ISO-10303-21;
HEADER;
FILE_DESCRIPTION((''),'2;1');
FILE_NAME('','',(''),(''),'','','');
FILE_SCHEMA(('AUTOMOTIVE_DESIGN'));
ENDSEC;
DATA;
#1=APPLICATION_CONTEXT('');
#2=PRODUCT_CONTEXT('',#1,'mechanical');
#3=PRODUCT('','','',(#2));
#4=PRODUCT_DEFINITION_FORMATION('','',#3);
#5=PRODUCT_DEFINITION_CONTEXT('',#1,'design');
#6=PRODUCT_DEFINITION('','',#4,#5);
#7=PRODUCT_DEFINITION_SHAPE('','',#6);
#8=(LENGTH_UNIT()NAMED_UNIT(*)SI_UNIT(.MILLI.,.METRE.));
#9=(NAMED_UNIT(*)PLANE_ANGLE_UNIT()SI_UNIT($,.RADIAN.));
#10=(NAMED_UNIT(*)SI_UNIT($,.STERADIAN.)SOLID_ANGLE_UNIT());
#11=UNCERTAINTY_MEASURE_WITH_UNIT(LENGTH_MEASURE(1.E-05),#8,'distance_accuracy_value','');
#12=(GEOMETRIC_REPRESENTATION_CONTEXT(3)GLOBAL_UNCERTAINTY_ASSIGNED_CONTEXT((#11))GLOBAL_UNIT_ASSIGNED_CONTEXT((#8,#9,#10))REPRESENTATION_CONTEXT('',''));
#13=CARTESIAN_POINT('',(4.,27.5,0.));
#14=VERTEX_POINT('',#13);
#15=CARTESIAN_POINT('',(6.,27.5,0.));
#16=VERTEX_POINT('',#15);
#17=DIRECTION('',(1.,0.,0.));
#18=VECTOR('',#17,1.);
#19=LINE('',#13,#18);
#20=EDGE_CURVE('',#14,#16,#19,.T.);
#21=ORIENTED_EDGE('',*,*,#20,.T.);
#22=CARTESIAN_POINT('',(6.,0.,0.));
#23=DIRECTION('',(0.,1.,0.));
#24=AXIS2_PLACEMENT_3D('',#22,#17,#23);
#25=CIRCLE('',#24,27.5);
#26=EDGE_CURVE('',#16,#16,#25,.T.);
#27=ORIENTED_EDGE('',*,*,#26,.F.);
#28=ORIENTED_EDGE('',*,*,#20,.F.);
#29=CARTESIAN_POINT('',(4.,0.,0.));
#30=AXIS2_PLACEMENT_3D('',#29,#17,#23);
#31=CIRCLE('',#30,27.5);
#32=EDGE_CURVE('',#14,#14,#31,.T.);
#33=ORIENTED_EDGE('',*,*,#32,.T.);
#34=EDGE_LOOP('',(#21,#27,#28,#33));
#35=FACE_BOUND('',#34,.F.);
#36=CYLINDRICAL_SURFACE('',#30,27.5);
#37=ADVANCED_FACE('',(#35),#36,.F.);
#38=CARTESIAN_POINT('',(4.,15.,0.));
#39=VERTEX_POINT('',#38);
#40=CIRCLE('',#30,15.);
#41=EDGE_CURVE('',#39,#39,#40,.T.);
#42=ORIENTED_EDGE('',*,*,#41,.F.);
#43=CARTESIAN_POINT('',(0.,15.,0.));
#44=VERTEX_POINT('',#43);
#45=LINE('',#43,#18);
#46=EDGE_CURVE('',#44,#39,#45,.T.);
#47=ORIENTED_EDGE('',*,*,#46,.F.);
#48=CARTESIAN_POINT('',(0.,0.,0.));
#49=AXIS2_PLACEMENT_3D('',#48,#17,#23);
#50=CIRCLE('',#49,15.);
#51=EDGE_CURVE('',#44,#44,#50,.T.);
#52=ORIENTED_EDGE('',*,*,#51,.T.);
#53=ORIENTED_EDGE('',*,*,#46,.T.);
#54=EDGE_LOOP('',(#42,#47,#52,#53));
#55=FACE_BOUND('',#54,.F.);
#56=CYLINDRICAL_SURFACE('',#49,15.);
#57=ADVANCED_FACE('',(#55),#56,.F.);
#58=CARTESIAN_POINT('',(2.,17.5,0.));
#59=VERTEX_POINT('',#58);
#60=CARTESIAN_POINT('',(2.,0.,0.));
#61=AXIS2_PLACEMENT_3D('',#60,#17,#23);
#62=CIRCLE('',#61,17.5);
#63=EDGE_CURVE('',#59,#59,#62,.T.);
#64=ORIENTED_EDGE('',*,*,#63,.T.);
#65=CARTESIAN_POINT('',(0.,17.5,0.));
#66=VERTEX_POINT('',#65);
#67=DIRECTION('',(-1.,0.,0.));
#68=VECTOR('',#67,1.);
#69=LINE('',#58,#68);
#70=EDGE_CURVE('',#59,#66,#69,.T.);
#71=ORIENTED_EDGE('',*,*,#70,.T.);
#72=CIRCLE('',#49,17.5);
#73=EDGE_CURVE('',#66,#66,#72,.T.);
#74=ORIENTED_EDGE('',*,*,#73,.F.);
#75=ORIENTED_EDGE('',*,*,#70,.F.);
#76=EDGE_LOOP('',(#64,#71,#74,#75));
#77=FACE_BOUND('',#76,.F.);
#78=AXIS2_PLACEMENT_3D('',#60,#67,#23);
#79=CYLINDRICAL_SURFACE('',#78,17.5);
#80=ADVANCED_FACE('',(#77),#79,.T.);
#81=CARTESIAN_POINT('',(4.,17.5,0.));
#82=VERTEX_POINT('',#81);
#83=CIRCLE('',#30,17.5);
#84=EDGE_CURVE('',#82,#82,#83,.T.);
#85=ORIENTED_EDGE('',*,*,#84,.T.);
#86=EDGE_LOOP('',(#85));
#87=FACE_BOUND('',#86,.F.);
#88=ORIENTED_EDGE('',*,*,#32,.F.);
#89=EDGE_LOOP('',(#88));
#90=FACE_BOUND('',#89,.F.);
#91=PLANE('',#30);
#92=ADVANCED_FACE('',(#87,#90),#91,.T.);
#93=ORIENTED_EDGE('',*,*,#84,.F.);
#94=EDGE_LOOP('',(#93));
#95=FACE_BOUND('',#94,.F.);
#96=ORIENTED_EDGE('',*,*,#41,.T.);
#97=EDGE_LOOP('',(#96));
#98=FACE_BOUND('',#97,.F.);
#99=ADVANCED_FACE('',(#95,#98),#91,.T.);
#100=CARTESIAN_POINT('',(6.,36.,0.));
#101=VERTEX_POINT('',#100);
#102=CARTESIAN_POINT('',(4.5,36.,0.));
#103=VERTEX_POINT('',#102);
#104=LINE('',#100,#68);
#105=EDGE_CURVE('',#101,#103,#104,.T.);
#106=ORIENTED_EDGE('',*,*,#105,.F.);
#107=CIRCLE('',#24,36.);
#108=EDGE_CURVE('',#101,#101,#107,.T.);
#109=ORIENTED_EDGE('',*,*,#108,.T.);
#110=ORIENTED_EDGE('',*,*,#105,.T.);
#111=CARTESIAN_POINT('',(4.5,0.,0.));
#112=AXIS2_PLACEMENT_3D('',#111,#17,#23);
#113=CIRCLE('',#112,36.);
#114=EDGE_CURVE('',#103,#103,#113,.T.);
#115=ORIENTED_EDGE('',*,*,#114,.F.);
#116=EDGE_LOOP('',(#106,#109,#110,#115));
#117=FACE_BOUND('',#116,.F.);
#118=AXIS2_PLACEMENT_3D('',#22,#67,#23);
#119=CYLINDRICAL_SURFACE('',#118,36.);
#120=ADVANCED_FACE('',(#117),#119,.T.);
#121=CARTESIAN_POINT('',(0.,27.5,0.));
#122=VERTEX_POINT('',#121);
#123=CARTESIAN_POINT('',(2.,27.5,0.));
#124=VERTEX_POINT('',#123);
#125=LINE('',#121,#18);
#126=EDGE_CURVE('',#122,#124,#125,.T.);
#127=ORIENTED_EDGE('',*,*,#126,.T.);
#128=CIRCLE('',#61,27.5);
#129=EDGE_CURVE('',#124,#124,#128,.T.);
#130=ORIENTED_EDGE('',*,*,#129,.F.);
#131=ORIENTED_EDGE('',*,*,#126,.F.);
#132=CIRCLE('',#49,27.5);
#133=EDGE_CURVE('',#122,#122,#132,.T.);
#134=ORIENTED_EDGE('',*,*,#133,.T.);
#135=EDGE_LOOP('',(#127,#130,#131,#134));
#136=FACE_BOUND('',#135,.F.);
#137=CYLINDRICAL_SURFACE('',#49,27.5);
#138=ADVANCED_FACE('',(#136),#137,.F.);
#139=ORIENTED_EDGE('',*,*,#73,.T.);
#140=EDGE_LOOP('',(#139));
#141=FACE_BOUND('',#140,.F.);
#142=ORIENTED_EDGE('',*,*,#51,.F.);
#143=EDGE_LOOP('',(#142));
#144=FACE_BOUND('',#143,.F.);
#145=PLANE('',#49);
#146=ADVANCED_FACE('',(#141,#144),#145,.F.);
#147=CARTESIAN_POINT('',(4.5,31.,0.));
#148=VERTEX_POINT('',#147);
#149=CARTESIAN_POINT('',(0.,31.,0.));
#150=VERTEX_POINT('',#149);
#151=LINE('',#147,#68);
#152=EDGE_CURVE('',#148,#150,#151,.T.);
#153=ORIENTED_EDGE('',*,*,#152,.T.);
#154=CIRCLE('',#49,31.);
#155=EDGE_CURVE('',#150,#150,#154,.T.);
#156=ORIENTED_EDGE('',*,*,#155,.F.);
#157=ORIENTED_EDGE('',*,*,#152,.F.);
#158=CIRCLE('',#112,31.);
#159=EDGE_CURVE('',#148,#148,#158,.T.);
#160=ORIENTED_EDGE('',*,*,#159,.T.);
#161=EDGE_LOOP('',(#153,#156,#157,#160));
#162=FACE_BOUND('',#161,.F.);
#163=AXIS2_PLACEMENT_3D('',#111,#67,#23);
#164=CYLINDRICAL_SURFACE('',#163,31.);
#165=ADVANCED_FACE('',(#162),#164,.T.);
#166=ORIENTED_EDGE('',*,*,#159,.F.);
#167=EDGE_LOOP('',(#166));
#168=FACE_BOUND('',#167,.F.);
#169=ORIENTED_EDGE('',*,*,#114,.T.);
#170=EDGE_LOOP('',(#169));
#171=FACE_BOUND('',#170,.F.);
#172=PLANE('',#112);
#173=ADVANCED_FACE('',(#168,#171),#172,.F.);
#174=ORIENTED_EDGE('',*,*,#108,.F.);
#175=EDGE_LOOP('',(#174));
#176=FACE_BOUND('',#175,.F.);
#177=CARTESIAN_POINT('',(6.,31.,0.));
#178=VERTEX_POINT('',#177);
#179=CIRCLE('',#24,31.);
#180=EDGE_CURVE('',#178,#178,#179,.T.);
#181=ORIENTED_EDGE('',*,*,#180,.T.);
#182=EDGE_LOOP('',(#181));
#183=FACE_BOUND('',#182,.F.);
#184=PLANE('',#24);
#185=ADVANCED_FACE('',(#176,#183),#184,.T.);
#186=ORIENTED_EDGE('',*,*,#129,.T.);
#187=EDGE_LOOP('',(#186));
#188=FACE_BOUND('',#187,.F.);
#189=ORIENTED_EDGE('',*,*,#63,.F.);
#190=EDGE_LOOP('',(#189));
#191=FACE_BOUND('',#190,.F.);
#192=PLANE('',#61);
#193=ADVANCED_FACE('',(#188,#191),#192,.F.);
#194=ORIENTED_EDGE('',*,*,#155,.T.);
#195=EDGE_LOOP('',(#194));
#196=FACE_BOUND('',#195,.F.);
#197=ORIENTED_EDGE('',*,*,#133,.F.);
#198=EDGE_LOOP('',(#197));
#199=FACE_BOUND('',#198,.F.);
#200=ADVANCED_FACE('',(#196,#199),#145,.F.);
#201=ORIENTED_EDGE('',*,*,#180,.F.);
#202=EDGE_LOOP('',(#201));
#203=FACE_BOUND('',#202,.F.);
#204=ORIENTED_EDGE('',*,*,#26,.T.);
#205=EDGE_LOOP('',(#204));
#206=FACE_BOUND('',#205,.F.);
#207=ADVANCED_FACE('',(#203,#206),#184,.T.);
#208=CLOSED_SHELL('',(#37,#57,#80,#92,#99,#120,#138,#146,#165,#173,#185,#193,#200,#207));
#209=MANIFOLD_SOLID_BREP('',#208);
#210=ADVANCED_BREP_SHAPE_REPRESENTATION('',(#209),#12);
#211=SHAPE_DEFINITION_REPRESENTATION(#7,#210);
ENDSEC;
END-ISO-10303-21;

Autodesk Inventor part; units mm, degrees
ref_plane "YZ Plane" through (0, 0, 0) normal (1, 0, 0) x (0, 1, 0)
ref_plane "XZ Plane" through (0, 0, 0) normal (0, 1, 0) x (-1, 0, 0)
ref_plane "XY Plane" through (0, 0, 0) normal (0, 0, 1) x (1, 0, 0)
sketch "Sketch1" plane through (0, 0, 0) normal (0, 0, 1) x (1, 0, 0)
  line L0 (0, 0) -> (3, 0)
  line L1 (0, 0) -> (0, 15)
  line L2 (0, 15) -> (4, 15)
  line L3 (4, 15) -> (4, 17.5)
  line L4 (4, 17.5) -> (4, 17.5)
  line L5 (4, 17.5) -> (4, 27.5)
  line L6 (4, 27.5) -> (6, 27.5)
  line L7 (6, 27.5) -> (6, 31)
  line L8 (6, 31) -> (6, 36)
  line L9 (6, 36) -> (4.5, 36)
  line L10 (4.5, 36) -> (4.5, 31)
  line L11 (4.5, 31) -> (0, 31)
  line L12 (0, 31) -> (0, 27.5)
  line L13 (0, 27.5) -> (2, 27.5)
  line L14 (2, 27.5) -> (2, 17.5)
  line L15 (2, 17.5) -> (0, 17.5)
  line L16 (0, 17.5) -> (0, 15)
  dimension "d0" = 3
  dimension "d1" = 15
  dimension "d2" = 4
  dimension "d3" = 2.5
  dimension "d4" = 0
  dimension "d5" = 10
  dimension "d6" = 2
  dimension "d7" = 3.5
  dimension "d8" = 5
  dimension "d9" = 1.5
  dimension "d10" = 31
revolve "Revolution1" add sketch "Sketch1" angle 360 about axis through (0, 0, 0) along (1, 0, 0)
thread "Thread1" size "M30x1" class "6H" standard "ANSI Metric M Profile" full length
properties part number "roue codeuse"
